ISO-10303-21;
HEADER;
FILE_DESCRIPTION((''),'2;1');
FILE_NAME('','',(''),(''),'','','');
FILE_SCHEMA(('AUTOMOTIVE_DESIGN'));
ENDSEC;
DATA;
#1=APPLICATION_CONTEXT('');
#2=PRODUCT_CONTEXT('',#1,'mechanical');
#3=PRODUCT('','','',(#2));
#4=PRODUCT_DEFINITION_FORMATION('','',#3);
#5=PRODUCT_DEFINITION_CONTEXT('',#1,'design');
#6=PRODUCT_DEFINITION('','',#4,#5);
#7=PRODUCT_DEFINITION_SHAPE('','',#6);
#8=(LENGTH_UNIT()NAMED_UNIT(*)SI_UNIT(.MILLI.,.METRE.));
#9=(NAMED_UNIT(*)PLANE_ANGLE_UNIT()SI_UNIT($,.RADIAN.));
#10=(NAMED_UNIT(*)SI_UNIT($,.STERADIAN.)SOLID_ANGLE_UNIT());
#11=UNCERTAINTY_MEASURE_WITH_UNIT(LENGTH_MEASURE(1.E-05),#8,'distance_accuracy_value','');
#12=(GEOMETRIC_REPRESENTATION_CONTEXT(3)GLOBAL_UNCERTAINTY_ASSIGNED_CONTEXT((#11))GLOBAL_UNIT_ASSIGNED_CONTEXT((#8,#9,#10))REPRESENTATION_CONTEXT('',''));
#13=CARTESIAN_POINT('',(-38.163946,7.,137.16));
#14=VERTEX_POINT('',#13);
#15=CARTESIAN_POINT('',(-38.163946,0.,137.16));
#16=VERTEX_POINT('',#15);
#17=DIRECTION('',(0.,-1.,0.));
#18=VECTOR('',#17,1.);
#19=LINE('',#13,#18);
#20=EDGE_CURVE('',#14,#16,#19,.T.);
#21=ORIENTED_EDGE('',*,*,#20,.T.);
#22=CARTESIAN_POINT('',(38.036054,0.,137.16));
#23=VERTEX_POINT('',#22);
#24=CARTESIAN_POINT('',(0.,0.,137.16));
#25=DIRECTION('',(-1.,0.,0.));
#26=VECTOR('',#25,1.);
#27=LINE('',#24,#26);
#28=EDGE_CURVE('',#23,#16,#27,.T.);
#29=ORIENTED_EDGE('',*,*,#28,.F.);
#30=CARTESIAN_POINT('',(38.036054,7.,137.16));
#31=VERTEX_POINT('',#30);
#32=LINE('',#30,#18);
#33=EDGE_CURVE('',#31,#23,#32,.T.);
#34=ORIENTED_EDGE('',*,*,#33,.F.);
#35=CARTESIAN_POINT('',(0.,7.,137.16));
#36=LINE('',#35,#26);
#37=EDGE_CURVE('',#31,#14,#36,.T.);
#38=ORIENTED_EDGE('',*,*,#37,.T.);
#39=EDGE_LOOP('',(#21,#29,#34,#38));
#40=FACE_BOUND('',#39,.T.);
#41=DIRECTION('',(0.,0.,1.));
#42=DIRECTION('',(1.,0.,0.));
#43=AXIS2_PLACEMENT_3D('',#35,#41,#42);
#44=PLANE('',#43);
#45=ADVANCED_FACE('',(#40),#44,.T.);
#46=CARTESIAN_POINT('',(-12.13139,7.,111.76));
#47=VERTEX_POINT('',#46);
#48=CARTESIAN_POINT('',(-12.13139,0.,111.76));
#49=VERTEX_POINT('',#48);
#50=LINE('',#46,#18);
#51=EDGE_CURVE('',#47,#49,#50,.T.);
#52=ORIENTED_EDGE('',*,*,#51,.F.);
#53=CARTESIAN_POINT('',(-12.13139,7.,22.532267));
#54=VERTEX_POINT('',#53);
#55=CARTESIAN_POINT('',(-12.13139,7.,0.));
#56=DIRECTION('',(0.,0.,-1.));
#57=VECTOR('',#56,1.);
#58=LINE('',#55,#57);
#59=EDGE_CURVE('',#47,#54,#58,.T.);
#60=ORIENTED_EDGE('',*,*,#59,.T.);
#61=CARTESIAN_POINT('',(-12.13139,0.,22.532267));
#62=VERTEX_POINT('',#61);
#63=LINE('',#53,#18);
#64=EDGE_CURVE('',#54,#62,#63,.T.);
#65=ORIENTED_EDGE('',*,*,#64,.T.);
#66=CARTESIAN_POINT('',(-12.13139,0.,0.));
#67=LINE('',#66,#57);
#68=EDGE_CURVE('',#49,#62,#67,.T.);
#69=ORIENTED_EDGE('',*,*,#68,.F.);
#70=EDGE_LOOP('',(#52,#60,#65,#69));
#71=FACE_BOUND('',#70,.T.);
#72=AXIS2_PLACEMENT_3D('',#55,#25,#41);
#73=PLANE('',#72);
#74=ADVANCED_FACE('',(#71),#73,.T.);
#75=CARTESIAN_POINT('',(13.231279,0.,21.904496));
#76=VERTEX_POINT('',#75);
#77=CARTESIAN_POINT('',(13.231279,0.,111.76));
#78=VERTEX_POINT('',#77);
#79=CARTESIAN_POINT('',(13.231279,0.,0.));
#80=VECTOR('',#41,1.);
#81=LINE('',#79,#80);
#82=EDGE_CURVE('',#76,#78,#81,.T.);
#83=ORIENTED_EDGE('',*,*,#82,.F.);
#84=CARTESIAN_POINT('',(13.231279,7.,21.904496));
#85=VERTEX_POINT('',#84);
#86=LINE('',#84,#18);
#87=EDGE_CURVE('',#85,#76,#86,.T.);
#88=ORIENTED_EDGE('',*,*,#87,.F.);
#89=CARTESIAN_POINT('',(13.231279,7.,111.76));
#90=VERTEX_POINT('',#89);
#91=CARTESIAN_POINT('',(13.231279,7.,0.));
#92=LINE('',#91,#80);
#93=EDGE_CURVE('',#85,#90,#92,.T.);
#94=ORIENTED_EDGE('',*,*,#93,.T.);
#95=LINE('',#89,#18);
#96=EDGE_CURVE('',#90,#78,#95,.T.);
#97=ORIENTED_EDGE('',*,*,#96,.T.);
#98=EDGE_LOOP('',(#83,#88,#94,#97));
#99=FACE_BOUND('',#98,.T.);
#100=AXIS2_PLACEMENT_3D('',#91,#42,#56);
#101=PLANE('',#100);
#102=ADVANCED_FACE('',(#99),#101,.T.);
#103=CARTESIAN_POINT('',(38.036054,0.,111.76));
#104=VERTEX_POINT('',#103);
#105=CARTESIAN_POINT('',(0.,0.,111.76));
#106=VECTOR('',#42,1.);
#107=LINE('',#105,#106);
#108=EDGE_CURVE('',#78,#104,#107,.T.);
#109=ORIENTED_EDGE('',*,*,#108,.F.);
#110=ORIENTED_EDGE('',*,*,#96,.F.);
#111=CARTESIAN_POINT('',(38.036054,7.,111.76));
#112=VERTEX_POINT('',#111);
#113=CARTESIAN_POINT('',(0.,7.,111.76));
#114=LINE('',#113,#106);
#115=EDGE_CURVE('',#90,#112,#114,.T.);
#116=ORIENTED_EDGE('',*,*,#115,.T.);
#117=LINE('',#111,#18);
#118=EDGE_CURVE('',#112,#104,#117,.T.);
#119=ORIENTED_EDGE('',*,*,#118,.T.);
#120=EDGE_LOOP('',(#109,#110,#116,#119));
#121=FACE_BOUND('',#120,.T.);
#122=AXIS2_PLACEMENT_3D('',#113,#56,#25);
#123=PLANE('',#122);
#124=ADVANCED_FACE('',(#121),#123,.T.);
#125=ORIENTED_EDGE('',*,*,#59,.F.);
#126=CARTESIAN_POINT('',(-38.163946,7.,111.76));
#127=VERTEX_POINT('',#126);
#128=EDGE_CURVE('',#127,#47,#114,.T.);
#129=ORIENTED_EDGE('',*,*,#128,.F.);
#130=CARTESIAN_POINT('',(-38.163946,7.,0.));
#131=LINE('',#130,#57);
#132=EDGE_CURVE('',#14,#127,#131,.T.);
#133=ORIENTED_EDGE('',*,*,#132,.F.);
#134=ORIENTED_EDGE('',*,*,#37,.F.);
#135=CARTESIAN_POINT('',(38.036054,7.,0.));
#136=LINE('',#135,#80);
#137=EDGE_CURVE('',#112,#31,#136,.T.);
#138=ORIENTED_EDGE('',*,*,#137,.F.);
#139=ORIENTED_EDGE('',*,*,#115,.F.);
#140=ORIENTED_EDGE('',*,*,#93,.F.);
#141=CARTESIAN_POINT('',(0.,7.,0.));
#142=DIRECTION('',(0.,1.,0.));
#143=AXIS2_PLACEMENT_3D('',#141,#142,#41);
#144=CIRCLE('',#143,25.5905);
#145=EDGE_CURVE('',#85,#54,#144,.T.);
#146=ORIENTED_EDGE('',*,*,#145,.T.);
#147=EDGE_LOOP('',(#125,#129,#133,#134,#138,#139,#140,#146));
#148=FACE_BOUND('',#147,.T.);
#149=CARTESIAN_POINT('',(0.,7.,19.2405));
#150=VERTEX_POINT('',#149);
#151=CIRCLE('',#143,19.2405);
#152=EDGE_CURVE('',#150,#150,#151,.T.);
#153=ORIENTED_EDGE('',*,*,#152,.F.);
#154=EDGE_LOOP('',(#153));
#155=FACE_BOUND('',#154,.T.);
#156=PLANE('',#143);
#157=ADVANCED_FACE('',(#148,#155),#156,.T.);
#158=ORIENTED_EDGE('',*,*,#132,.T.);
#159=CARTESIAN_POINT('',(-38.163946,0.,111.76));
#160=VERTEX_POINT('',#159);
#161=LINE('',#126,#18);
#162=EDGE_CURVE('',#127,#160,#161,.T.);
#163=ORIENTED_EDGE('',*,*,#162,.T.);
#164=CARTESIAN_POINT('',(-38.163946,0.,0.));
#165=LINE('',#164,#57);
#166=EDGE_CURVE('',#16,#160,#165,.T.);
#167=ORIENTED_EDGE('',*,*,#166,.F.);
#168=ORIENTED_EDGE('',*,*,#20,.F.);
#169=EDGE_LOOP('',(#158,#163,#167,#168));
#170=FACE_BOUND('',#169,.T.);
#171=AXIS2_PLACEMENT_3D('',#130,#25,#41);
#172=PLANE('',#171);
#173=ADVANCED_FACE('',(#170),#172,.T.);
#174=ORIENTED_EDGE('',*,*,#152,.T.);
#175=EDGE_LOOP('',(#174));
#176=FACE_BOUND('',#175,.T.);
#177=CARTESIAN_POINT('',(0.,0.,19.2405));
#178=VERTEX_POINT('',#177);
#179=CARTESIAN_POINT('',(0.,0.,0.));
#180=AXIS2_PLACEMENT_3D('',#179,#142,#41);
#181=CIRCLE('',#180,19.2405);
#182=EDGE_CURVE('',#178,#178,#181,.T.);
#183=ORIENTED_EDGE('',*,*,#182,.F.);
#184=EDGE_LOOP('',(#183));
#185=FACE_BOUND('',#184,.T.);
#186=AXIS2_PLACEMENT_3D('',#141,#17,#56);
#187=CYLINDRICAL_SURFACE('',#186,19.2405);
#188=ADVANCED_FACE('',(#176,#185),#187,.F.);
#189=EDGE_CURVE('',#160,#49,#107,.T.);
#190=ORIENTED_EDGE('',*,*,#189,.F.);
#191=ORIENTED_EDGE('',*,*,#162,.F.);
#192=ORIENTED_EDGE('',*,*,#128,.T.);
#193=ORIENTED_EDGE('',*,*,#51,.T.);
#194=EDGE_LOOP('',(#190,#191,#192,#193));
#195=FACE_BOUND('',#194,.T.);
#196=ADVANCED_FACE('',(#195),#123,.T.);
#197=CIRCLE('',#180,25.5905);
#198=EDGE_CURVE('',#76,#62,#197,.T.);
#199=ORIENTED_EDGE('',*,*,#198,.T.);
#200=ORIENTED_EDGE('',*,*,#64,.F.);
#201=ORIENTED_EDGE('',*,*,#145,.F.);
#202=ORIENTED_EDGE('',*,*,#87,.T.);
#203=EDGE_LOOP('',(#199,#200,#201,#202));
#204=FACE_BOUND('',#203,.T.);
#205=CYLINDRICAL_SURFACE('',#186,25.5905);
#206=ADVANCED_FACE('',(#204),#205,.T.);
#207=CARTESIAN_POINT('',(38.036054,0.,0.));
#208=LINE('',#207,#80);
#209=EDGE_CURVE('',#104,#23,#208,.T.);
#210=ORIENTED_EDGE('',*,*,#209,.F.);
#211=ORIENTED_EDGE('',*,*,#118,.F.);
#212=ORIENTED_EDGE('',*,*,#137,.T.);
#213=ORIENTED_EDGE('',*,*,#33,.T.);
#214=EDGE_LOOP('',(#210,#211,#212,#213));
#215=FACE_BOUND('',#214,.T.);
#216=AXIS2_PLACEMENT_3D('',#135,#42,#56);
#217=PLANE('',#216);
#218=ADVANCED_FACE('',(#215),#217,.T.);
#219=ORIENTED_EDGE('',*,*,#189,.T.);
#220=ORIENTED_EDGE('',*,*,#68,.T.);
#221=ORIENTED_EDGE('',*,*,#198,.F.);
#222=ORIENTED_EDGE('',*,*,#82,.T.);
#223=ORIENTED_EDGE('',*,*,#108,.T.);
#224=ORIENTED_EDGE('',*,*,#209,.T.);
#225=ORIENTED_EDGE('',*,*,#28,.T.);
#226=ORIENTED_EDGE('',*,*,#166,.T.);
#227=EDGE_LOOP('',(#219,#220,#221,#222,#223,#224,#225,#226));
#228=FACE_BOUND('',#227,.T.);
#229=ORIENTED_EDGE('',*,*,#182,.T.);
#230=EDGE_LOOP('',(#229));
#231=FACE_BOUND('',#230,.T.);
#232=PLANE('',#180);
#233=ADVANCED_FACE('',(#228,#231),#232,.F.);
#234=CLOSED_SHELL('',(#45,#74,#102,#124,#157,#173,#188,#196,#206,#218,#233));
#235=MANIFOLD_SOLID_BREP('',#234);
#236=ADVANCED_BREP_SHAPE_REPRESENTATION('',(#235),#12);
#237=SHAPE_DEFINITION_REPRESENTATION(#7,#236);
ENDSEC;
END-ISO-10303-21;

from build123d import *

# Parameters (mm, degrees)
SKETCH1_R           = 25.5905
SKETCH1_R_2         = 19.2405
BOSS_EXTRUDE1_DEPTH = 7


with BuildPart() as part:
    # Sketch1 → Boss-Extrude1 (new body)
    with BuildSketch(Plane(origin=(0, 0, 0), x_dir=(1, 0, 0), z_dir=(0, 1, 0))):
        Circle(SKETCH1_R)
        Circle(SKETCH1_R_2, mode=Mode.SUBTRACT)
        Polygon((-12.131390351, -20.018099484), (13.231279228, -20.018099484), (13.231279228, -111.76), (38.036054145, -111.76), (38.036054145, -137.16), (-38.163945855, -137.16), (-38.163945855, -111.76), (-12.131390351, -111.76), align=None)
    extrude(amount=BOSS_EXTRUDE1_DEPTH)


solid = part.part
